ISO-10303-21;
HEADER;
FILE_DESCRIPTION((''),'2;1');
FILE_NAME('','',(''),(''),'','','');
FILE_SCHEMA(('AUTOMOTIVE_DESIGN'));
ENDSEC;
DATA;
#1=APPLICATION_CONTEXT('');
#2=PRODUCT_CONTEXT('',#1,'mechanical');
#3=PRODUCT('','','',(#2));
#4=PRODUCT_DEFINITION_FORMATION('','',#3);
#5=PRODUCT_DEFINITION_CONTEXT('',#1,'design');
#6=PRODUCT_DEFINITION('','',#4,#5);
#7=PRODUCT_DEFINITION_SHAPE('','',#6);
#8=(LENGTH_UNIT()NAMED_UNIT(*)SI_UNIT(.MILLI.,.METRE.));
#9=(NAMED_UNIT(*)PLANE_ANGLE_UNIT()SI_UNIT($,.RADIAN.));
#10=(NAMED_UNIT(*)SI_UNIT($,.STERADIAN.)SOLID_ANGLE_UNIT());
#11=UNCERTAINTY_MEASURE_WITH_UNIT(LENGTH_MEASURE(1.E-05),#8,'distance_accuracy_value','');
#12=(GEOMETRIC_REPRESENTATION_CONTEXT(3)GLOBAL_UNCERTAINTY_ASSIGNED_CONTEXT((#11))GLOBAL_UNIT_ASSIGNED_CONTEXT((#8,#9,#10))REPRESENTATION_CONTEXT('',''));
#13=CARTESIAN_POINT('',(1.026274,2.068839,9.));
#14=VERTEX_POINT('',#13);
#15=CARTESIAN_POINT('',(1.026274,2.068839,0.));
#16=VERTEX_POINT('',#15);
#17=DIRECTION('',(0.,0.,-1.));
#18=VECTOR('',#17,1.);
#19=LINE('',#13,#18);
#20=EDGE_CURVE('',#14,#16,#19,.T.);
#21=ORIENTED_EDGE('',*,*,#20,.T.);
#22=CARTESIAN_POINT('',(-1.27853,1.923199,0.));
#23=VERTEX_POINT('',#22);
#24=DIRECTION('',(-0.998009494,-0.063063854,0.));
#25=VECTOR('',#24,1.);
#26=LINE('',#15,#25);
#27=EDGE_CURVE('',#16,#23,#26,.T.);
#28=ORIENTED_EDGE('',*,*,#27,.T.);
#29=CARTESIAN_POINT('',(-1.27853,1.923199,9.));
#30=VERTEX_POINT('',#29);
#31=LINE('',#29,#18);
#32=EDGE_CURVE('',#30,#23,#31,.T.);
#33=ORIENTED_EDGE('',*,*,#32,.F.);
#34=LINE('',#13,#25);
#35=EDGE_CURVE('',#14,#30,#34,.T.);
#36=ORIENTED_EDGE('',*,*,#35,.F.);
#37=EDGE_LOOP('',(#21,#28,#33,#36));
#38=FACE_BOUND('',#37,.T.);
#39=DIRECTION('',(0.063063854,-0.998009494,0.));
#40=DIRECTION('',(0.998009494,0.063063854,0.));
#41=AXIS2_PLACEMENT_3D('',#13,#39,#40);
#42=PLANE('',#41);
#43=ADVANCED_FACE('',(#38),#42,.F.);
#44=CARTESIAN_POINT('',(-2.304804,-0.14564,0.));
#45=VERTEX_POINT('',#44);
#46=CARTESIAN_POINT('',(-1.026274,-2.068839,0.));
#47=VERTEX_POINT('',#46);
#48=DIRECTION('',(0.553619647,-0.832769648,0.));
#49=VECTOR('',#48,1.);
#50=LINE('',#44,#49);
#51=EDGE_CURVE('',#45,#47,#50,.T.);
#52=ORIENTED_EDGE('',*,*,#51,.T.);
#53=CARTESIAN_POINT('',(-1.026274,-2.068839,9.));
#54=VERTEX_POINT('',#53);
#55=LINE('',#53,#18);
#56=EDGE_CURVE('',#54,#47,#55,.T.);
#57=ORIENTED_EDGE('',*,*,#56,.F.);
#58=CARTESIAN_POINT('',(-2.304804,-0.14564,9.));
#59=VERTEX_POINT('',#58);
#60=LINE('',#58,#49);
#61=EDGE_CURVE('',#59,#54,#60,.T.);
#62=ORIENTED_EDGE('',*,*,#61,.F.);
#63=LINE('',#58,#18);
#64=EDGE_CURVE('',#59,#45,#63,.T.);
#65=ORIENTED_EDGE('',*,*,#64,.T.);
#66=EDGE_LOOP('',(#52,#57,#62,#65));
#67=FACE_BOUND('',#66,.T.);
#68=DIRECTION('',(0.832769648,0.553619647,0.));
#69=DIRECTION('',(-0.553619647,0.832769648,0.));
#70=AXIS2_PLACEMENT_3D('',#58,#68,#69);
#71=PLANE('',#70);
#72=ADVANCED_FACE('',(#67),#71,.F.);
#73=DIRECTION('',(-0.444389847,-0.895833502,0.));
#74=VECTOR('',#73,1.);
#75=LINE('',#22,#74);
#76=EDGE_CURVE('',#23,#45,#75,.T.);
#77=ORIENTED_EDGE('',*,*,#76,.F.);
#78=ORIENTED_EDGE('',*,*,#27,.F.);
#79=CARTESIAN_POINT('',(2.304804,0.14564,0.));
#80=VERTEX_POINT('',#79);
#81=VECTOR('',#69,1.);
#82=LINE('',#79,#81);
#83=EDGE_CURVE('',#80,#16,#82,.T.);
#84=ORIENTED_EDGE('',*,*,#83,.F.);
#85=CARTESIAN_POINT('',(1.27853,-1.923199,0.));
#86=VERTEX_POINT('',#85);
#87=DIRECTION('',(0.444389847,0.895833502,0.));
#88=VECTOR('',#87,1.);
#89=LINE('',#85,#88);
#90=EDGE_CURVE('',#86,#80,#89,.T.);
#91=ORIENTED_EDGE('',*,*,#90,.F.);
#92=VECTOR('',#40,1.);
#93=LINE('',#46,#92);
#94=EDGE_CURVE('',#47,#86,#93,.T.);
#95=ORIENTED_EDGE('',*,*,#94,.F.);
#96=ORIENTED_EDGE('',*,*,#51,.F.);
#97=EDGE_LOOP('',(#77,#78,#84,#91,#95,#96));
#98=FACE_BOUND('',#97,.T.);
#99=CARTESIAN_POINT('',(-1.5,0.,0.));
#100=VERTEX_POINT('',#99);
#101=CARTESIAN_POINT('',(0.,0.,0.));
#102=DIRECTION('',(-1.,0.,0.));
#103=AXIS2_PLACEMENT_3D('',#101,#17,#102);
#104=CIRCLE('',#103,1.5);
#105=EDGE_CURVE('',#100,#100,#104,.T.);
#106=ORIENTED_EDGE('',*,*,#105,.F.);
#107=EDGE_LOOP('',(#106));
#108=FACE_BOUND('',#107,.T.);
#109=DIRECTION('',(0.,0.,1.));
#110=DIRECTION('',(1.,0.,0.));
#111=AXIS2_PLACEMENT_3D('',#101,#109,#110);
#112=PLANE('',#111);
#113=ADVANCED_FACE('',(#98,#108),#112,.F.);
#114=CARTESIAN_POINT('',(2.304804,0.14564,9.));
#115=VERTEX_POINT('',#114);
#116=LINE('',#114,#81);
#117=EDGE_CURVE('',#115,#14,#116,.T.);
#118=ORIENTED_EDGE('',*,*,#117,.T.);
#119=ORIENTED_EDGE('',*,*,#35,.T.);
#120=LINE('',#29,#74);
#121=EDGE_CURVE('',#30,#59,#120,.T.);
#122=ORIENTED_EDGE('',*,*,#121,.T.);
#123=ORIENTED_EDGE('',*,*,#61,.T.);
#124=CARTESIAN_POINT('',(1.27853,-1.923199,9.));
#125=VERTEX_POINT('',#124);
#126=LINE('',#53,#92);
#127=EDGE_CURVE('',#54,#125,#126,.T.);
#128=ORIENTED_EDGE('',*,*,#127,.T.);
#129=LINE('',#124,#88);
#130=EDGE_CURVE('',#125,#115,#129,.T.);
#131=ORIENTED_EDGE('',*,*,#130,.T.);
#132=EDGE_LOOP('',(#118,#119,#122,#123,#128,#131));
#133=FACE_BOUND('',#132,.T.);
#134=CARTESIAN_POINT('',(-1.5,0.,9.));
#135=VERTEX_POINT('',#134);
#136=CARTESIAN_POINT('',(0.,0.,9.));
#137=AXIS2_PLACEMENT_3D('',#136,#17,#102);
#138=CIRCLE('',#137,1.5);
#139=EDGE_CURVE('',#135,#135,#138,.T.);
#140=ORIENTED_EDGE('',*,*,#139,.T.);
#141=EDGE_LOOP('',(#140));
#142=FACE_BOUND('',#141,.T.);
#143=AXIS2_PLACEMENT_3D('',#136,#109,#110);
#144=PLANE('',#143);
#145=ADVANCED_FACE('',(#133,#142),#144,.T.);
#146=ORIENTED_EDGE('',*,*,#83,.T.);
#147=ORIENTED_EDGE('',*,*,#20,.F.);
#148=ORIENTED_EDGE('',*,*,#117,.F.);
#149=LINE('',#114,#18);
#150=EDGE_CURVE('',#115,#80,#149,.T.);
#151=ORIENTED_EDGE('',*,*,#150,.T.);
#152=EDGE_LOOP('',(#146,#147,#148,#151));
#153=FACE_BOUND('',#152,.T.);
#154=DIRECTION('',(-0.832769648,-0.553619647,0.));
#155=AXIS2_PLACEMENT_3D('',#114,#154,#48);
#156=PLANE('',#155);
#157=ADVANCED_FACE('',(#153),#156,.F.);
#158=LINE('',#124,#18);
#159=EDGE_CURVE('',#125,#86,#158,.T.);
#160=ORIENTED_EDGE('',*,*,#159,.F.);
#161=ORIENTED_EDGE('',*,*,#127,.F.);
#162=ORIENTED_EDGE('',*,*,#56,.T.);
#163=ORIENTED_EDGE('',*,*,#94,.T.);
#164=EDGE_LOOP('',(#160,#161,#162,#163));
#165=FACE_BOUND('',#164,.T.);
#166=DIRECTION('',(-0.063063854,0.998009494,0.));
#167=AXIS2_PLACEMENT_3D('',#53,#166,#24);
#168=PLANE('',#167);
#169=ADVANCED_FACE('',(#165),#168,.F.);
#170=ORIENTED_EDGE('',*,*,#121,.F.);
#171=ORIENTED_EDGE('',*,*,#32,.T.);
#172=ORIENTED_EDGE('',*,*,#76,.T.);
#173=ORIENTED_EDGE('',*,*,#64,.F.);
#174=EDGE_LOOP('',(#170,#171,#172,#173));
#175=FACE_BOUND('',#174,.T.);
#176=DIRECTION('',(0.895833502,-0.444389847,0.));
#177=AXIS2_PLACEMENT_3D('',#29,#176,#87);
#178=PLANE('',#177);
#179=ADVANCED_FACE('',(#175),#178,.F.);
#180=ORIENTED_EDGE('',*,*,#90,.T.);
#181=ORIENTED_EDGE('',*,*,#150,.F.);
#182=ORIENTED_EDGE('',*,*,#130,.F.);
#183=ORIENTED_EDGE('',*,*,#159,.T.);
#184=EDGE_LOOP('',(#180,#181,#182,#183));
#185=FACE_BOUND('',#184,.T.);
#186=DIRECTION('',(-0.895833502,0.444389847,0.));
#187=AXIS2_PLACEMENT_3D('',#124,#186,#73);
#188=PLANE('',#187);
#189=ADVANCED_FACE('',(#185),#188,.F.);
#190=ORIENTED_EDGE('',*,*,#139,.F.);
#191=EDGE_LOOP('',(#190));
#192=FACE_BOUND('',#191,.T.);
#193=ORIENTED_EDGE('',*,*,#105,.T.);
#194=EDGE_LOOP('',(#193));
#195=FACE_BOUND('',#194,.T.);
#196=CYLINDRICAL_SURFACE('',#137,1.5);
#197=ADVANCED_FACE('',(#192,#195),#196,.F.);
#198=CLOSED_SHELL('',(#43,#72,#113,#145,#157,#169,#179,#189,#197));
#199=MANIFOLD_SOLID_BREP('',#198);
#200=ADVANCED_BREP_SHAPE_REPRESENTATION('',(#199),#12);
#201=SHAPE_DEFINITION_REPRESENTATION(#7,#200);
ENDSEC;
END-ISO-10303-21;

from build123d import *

# Parameters (mm, degrees)
EXTRUDE_1_DEPTH     = 9
SKETCH_2_R          = 1.5
CUT_EXTRUDE_1_DEPTH = 10


with BuildPart() as part:
    # 草图1 → 凸台-拉伸1 (new body)
    with BuildSketch(Plane.XY):
        Polygon((1.026274392, 2.068838854), (-1.278529808, 1.923199122), (-2.3048042, -0.145639732), (-1.026274392, -2.068838854), (1.278529808, -1.923199122), (2.3048042, 0.145639732), align=None)
    extrude(amount=EXTRUDE_1_DEPTH)

    # 草图2 → 切除-拉伸1 (cut, through all)
    with BuildSketch(Plane(origin=(0, 0, 0), x_dir=(-1, 0, 0), z_dir=(0, 0, -1))):
        Circle(SKETCH_2_R)
    extrude(amount=-CUT_EXTRUDE_1_DEPTH, mode=Mode.SUBTRACT)


solid = part.part
